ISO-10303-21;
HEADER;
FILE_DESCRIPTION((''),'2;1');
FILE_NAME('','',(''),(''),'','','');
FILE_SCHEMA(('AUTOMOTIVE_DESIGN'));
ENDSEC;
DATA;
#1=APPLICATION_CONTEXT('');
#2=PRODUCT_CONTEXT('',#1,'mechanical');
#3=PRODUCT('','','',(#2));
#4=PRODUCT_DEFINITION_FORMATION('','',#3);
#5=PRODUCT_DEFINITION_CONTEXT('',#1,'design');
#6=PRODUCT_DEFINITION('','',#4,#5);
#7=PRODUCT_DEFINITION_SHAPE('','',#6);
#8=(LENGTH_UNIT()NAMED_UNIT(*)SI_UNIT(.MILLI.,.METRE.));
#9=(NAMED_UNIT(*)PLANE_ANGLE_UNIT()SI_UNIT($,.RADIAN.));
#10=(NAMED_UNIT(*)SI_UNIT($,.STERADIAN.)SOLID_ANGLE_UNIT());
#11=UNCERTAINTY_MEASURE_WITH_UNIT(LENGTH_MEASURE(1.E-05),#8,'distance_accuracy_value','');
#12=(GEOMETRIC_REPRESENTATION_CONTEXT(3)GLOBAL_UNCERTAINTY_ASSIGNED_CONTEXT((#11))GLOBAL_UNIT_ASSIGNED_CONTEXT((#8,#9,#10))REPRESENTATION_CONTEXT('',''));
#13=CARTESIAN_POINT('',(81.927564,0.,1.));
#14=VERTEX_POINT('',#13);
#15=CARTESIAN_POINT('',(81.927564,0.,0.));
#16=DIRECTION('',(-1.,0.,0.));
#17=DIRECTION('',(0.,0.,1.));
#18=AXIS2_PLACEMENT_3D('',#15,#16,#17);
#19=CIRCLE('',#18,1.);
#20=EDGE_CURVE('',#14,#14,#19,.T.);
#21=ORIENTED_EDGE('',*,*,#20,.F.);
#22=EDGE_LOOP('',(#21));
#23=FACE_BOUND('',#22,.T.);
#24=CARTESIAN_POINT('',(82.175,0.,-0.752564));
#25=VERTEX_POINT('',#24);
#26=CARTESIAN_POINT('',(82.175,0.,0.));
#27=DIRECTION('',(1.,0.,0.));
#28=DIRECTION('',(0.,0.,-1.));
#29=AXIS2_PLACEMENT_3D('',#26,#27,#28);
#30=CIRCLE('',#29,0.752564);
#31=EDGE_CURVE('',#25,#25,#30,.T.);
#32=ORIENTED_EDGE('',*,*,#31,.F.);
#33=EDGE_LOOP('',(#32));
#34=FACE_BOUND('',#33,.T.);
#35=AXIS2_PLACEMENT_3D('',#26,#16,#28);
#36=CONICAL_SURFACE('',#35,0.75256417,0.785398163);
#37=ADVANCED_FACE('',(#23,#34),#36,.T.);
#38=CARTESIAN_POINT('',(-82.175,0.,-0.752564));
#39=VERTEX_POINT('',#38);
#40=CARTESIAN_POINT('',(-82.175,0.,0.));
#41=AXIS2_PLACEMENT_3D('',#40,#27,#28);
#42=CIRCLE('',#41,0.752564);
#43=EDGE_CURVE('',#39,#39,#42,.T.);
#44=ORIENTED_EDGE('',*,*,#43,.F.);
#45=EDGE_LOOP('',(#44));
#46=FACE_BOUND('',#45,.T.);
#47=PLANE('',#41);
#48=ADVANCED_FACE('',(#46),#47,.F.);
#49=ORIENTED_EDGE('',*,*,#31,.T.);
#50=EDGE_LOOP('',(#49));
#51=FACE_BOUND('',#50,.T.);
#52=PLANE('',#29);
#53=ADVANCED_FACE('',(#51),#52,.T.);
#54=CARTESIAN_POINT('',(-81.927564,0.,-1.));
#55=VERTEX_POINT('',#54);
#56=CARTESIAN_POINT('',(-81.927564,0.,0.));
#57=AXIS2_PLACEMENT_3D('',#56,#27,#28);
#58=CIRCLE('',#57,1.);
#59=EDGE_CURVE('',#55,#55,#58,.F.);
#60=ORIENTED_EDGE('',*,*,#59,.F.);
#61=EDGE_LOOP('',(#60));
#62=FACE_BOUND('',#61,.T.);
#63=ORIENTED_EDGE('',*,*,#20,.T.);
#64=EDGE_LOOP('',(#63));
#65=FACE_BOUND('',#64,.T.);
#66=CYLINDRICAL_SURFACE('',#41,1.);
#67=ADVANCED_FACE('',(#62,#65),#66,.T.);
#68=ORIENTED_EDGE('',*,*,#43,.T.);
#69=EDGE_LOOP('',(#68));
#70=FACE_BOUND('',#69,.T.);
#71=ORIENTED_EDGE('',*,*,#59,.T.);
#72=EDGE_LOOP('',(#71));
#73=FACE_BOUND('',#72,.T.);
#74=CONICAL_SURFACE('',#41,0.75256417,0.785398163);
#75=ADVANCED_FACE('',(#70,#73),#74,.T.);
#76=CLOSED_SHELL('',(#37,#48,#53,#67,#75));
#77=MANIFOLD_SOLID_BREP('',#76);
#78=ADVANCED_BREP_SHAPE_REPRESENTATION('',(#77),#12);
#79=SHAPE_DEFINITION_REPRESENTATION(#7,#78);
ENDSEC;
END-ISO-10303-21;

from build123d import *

# Parameters (mm, degrees)
SKETCH2_R                = 1
BOSS_EXTRUDE1_DEPTH      = 82.175
BOSS_EXTRUDE1_DEPTH_BACK = 82.175
SKETCH5_OUTSIDE_W        = 367.574
SKETCH5_OUTSIDE_H        = 367.574
SKETCH5_OUTSIDE_R        = 0.75256417
CUT_EXTRUDE1_DEPTH       = 165.35
CUT_EXTRUDE1_TAPER       = 45


with BuildPart() as part:
    # Sketch2 → Boss-Extrude1 (new body, two sides)
    with BuildSketch(Plane(origin=(0, 0, 0), x_dir=(0, 0, -1), z_dir=(1, 0, 0))) as boss_extrude1_sk:
        Circle(SKETCH2_R)
    extrude(amount=BOSS_EXTRUDE1_DEPTH)
    extrude(boss_extrude1_sk.sketch, amount=-BOSS_EXTRUDE1_DEPTH_BACK)

    # Sketch5 outside → Cut-Extrude1 (cut, through all)
    with BuildSketch(Plane(origin=(82.175, 0, 0), x_dir=(0, 0, -1), z_dir=(1, 0, 0))):
        Rectangle(SKETCH5_OUTSIDE_W, SKETCH5_OUTSIDE_H)
        Circle(SKETCH5_OUTSIDE_R, mode=Mode.SUBTRACT)
    cut_extrude1 = extrude(amount=-CUT_EXTRUDE1_DEPTH, taper=CUT_EXTRUDE1_TAPER, mode=Mode.SUBTRACT)

    # Mirror1: Cut-Extrude1 across plane
    add(cut_extrude1.mirror(Plane(origin=(0, 0, 0), x_dir=(0, 0, 1), z_dir=(1, 0, 0))), mode=Mode.SUBTRACT)


solid = part.part
